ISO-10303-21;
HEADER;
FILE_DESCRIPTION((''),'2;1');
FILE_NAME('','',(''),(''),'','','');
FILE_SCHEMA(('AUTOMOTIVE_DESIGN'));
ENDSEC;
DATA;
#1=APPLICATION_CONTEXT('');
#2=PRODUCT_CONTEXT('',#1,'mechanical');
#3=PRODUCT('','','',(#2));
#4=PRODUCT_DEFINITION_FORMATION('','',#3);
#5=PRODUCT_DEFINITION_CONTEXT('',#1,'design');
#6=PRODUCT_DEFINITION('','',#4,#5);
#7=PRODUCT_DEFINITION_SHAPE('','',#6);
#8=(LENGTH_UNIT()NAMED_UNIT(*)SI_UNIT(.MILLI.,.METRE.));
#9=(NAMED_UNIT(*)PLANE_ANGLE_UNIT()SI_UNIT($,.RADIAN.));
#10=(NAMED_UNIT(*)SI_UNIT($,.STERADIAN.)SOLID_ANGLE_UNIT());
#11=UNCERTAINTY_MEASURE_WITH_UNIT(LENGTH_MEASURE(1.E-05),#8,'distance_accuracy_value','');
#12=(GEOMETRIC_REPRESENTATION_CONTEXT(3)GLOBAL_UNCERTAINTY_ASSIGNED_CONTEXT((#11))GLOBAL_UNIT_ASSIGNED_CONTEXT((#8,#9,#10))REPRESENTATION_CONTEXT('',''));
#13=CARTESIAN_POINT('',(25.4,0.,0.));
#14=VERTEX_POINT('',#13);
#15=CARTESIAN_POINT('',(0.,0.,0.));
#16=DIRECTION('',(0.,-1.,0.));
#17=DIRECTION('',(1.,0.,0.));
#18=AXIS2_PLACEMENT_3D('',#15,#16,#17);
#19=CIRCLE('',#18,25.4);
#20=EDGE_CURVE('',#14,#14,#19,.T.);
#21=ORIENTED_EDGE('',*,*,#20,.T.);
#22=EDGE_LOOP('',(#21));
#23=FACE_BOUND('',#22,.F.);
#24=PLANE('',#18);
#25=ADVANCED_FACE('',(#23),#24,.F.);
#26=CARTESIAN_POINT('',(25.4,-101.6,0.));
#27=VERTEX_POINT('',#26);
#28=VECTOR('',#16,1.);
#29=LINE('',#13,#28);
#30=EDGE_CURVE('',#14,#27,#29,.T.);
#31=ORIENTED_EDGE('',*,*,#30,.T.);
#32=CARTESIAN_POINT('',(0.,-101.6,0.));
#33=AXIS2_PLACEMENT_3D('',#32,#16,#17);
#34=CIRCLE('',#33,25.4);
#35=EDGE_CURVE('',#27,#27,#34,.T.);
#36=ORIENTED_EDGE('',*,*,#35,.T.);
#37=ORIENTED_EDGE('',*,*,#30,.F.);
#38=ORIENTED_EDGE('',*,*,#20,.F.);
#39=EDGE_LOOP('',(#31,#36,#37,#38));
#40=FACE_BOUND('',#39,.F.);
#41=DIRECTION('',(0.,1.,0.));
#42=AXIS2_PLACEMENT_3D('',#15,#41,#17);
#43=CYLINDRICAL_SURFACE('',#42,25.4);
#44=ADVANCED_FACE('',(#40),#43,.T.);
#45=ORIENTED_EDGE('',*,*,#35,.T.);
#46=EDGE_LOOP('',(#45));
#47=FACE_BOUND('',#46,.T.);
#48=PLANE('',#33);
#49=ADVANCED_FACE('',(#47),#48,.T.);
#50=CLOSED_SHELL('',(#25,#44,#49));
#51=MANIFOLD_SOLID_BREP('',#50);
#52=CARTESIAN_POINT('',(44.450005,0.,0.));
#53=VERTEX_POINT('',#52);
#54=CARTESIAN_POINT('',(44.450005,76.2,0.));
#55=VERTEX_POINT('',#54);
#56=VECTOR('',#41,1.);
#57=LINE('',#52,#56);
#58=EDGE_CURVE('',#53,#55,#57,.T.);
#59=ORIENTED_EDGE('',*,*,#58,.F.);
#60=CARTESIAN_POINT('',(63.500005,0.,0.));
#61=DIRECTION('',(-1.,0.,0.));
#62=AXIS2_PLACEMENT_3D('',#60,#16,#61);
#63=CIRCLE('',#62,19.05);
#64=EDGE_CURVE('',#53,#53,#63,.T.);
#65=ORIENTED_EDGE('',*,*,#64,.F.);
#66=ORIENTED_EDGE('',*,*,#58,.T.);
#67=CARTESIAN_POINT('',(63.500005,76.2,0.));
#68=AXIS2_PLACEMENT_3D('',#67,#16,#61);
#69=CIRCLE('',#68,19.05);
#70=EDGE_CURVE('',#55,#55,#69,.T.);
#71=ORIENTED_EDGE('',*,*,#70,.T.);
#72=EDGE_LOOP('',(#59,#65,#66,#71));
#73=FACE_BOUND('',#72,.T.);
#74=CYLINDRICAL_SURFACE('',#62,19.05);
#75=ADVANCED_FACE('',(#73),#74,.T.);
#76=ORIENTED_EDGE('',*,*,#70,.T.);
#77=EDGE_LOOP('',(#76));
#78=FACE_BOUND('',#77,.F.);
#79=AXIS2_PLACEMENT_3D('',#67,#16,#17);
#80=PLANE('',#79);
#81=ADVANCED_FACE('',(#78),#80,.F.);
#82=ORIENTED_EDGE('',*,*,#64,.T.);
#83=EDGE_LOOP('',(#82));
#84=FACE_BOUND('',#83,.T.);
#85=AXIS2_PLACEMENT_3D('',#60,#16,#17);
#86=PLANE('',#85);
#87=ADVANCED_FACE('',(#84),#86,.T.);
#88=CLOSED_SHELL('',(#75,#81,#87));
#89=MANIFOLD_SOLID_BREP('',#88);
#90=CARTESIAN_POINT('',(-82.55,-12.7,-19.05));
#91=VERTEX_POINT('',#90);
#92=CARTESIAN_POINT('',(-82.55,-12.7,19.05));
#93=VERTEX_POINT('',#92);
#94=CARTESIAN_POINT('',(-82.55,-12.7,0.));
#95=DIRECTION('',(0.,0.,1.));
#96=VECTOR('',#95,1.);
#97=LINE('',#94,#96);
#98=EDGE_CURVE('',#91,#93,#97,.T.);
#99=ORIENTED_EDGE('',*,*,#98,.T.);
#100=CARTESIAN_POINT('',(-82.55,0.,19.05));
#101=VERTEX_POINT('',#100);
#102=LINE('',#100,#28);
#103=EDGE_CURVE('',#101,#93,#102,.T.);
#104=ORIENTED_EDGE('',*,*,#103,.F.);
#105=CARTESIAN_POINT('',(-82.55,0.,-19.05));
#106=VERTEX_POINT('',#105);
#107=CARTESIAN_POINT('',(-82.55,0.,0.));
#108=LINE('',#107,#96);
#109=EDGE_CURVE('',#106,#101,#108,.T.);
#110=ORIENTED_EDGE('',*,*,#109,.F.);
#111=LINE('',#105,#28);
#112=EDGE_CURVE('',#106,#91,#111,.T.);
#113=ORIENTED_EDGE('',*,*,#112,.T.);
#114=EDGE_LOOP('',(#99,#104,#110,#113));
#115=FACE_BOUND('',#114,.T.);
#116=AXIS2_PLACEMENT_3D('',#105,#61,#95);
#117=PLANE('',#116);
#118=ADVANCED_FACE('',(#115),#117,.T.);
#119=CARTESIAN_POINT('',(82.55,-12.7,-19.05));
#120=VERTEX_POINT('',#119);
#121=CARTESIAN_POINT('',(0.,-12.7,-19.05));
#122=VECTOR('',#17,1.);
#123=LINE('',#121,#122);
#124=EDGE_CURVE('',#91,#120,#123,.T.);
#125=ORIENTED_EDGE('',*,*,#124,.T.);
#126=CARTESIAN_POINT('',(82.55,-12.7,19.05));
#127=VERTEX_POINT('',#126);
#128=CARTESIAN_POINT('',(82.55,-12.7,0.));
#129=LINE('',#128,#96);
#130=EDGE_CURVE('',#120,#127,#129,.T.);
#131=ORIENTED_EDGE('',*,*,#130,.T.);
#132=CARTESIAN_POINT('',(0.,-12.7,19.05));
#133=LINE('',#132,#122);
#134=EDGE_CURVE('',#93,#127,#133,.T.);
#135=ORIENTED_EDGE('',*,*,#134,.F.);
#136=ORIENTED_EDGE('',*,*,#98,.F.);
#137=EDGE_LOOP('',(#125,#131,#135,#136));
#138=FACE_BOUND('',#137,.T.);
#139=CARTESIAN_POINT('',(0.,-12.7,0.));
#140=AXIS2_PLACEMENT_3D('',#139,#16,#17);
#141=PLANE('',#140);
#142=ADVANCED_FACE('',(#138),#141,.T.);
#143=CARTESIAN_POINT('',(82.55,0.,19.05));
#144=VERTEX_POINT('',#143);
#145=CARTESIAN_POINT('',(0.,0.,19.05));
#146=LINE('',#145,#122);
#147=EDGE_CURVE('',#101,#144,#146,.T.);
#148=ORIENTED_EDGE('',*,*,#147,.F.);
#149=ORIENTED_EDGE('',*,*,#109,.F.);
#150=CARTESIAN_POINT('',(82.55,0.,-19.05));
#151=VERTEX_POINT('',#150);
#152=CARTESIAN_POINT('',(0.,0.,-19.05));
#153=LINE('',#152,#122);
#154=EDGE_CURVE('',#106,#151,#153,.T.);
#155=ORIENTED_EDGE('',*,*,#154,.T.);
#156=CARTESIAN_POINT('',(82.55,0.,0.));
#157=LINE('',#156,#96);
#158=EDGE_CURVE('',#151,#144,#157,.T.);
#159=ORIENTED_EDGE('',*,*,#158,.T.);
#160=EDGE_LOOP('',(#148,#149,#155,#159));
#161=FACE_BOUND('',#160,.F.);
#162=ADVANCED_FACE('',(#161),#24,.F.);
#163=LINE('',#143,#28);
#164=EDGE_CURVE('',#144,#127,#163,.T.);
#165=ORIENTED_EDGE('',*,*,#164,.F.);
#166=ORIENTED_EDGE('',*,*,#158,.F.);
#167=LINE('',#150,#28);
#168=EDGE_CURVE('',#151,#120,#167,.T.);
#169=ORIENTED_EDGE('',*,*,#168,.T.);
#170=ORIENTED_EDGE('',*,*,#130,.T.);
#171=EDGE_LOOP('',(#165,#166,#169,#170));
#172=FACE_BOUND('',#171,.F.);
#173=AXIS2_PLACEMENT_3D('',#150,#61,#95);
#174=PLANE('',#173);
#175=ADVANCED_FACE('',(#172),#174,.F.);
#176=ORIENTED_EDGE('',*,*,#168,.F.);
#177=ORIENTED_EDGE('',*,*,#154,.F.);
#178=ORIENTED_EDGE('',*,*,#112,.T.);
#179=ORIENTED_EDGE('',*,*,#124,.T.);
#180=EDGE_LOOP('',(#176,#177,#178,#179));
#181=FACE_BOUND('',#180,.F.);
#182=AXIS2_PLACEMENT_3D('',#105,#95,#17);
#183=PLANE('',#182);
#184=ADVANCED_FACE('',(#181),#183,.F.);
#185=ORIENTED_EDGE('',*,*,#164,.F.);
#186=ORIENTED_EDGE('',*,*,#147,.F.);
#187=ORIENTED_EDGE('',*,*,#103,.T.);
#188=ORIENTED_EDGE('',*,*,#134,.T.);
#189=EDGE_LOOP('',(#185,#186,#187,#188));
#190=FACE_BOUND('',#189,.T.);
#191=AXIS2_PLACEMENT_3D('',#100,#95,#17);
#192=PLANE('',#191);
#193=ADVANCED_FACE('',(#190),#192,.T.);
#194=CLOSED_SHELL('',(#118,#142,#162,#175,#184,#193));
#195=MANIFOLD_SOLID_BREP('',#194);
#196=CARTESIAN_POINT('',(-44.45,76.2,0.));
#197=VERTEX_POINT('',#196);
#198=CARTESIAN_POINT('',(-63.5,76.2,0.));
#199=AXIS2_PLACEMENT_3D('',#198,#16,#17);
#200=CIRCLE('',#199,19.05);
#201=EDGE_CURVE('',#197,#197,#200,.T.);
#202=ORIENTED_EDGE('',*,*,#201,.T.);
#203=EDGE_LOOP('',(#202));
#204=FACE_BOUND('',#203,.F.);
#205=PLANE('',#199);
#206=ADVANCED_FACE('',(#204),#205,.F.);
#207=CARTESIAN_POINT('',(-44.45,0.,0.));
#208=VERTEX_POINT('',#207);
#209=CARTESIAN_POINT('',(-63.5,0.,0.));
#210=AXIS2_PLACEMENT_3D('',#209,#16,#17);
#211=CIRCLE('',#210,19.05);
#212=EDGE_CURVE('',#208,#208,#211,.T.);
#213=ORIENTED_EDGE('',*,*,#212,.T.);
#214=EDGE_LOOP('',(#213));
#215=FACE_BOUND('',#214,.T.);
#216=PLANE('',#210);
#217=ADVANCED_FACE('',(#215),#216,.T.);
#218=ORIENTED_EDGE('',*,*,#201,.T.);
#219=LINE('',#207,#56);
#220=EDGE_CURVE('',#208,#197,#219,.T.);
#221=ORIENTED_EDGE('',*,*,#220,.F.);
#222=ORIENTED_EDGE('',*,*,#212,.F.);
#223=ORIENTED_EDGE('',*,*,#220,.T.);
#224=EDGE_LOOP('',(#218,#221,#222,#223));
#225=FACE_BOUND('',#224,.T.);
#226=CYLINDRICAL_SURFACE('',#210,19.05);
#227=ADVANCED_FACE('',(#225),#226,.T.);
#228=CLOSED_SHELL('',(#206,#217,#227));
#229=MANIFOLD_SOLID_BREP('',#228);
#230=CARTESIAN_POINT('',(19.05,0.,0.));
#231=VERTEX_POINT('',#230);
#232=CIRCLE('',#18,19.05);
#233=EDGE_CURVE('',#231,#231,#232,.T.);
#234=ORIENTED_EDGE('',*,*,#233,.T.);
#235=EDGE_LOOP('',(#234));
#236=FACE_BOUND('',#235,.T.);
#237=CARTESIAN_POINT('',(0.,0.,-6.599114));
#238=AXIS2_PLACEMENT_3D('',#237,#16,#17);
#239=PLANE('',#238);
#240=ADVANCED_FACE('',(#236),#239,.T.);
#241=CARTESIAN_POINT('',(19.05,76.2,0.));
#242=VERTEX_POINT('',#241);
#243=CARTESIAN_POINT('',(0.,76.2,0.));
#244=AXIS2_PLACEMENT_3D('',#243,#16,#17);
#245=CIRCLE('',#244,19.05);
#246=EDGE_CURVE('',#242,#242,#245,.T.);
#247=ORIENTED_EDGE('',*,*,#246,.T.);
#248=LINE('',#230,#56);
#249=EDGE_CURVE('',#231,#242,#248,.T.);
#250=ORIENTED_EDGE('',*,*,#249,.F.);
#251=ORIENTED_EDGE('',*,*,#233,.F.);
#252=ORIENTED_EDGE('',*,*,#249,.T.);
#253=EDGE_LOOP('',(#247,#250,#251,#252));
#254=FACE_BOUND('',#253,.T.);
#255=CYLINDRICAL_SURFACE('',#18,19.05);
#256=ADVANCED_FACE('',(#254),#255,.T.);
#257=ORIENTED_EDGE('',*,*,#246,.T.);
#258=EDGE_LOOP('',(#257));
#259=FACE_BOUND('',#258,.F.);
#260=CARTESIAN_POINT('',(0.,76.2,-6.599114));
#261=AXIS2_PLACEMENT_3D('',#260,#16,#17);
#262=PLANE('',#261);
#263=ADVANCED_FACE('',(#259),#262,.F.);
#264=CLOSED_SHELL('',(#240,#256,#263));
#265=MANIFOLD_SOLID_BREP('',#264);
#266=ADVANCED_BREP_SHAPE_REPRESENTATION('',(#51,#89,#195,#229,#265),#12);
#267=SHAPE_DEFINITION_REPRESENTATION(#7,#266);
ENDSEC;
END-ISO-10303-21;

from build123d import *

# Parameters (mm, degrees)
F0_W     = 165.1
F0_H     = 38.1
F1_DEPTH = 12.7
F2_R     = 25.4
F3_DEPTH = 101.6
F4_R     = 19.05
F5_DEPTH = 76.2


with BuildPart() as f1:
    # F0 (on Front) → F1 (new body)
    with BuildSketch(Plane.XZ):
        Rectangle(F0_W, F0_H)
    extrude(amount=F1_DEPTH)


with BuildPart() as f3:
    # F2 (on Front) → F3 (new body)
    with BuildSketch(Plane.XZ):
        Circle(F2_R)
    extrude(amount=F3_DEPTH)


with BuildPart() as f5:
    # F4 (on Front) → F5 (new body)
    with BuildSketch(Plane.XZ):
        with BuildLine():
            Line((19.05, 0), (0, 0))
            Line((0, 0), (-19.05, 0))
            ThreePointArc((-19.05, 0), (0, -19.05), (19.05, 0))
        make_face()
        with BuildLine():
            Line((-19.05, 0), (0, 0))
            Line((0, 0), (19.05, 0))
            ThreePointArc((19.05, 0), (0, 19.05), (-19.05, 0))
        make_face()
        with Locations((-63.5, 0)):
            Circle(F4_R)
        with BuildLine():
            ThreePointArc((82.550005, 0), (63.500005, 19.05), (44.450005, 0))
            ThreePointArc((44.450005, 0), (63.500005, -19.05), (82.550005, 0))
        make_face()
    extrude(amount=-F5_DEPTH)


solid = Compound([f1.part, f3.part, f5.part])
